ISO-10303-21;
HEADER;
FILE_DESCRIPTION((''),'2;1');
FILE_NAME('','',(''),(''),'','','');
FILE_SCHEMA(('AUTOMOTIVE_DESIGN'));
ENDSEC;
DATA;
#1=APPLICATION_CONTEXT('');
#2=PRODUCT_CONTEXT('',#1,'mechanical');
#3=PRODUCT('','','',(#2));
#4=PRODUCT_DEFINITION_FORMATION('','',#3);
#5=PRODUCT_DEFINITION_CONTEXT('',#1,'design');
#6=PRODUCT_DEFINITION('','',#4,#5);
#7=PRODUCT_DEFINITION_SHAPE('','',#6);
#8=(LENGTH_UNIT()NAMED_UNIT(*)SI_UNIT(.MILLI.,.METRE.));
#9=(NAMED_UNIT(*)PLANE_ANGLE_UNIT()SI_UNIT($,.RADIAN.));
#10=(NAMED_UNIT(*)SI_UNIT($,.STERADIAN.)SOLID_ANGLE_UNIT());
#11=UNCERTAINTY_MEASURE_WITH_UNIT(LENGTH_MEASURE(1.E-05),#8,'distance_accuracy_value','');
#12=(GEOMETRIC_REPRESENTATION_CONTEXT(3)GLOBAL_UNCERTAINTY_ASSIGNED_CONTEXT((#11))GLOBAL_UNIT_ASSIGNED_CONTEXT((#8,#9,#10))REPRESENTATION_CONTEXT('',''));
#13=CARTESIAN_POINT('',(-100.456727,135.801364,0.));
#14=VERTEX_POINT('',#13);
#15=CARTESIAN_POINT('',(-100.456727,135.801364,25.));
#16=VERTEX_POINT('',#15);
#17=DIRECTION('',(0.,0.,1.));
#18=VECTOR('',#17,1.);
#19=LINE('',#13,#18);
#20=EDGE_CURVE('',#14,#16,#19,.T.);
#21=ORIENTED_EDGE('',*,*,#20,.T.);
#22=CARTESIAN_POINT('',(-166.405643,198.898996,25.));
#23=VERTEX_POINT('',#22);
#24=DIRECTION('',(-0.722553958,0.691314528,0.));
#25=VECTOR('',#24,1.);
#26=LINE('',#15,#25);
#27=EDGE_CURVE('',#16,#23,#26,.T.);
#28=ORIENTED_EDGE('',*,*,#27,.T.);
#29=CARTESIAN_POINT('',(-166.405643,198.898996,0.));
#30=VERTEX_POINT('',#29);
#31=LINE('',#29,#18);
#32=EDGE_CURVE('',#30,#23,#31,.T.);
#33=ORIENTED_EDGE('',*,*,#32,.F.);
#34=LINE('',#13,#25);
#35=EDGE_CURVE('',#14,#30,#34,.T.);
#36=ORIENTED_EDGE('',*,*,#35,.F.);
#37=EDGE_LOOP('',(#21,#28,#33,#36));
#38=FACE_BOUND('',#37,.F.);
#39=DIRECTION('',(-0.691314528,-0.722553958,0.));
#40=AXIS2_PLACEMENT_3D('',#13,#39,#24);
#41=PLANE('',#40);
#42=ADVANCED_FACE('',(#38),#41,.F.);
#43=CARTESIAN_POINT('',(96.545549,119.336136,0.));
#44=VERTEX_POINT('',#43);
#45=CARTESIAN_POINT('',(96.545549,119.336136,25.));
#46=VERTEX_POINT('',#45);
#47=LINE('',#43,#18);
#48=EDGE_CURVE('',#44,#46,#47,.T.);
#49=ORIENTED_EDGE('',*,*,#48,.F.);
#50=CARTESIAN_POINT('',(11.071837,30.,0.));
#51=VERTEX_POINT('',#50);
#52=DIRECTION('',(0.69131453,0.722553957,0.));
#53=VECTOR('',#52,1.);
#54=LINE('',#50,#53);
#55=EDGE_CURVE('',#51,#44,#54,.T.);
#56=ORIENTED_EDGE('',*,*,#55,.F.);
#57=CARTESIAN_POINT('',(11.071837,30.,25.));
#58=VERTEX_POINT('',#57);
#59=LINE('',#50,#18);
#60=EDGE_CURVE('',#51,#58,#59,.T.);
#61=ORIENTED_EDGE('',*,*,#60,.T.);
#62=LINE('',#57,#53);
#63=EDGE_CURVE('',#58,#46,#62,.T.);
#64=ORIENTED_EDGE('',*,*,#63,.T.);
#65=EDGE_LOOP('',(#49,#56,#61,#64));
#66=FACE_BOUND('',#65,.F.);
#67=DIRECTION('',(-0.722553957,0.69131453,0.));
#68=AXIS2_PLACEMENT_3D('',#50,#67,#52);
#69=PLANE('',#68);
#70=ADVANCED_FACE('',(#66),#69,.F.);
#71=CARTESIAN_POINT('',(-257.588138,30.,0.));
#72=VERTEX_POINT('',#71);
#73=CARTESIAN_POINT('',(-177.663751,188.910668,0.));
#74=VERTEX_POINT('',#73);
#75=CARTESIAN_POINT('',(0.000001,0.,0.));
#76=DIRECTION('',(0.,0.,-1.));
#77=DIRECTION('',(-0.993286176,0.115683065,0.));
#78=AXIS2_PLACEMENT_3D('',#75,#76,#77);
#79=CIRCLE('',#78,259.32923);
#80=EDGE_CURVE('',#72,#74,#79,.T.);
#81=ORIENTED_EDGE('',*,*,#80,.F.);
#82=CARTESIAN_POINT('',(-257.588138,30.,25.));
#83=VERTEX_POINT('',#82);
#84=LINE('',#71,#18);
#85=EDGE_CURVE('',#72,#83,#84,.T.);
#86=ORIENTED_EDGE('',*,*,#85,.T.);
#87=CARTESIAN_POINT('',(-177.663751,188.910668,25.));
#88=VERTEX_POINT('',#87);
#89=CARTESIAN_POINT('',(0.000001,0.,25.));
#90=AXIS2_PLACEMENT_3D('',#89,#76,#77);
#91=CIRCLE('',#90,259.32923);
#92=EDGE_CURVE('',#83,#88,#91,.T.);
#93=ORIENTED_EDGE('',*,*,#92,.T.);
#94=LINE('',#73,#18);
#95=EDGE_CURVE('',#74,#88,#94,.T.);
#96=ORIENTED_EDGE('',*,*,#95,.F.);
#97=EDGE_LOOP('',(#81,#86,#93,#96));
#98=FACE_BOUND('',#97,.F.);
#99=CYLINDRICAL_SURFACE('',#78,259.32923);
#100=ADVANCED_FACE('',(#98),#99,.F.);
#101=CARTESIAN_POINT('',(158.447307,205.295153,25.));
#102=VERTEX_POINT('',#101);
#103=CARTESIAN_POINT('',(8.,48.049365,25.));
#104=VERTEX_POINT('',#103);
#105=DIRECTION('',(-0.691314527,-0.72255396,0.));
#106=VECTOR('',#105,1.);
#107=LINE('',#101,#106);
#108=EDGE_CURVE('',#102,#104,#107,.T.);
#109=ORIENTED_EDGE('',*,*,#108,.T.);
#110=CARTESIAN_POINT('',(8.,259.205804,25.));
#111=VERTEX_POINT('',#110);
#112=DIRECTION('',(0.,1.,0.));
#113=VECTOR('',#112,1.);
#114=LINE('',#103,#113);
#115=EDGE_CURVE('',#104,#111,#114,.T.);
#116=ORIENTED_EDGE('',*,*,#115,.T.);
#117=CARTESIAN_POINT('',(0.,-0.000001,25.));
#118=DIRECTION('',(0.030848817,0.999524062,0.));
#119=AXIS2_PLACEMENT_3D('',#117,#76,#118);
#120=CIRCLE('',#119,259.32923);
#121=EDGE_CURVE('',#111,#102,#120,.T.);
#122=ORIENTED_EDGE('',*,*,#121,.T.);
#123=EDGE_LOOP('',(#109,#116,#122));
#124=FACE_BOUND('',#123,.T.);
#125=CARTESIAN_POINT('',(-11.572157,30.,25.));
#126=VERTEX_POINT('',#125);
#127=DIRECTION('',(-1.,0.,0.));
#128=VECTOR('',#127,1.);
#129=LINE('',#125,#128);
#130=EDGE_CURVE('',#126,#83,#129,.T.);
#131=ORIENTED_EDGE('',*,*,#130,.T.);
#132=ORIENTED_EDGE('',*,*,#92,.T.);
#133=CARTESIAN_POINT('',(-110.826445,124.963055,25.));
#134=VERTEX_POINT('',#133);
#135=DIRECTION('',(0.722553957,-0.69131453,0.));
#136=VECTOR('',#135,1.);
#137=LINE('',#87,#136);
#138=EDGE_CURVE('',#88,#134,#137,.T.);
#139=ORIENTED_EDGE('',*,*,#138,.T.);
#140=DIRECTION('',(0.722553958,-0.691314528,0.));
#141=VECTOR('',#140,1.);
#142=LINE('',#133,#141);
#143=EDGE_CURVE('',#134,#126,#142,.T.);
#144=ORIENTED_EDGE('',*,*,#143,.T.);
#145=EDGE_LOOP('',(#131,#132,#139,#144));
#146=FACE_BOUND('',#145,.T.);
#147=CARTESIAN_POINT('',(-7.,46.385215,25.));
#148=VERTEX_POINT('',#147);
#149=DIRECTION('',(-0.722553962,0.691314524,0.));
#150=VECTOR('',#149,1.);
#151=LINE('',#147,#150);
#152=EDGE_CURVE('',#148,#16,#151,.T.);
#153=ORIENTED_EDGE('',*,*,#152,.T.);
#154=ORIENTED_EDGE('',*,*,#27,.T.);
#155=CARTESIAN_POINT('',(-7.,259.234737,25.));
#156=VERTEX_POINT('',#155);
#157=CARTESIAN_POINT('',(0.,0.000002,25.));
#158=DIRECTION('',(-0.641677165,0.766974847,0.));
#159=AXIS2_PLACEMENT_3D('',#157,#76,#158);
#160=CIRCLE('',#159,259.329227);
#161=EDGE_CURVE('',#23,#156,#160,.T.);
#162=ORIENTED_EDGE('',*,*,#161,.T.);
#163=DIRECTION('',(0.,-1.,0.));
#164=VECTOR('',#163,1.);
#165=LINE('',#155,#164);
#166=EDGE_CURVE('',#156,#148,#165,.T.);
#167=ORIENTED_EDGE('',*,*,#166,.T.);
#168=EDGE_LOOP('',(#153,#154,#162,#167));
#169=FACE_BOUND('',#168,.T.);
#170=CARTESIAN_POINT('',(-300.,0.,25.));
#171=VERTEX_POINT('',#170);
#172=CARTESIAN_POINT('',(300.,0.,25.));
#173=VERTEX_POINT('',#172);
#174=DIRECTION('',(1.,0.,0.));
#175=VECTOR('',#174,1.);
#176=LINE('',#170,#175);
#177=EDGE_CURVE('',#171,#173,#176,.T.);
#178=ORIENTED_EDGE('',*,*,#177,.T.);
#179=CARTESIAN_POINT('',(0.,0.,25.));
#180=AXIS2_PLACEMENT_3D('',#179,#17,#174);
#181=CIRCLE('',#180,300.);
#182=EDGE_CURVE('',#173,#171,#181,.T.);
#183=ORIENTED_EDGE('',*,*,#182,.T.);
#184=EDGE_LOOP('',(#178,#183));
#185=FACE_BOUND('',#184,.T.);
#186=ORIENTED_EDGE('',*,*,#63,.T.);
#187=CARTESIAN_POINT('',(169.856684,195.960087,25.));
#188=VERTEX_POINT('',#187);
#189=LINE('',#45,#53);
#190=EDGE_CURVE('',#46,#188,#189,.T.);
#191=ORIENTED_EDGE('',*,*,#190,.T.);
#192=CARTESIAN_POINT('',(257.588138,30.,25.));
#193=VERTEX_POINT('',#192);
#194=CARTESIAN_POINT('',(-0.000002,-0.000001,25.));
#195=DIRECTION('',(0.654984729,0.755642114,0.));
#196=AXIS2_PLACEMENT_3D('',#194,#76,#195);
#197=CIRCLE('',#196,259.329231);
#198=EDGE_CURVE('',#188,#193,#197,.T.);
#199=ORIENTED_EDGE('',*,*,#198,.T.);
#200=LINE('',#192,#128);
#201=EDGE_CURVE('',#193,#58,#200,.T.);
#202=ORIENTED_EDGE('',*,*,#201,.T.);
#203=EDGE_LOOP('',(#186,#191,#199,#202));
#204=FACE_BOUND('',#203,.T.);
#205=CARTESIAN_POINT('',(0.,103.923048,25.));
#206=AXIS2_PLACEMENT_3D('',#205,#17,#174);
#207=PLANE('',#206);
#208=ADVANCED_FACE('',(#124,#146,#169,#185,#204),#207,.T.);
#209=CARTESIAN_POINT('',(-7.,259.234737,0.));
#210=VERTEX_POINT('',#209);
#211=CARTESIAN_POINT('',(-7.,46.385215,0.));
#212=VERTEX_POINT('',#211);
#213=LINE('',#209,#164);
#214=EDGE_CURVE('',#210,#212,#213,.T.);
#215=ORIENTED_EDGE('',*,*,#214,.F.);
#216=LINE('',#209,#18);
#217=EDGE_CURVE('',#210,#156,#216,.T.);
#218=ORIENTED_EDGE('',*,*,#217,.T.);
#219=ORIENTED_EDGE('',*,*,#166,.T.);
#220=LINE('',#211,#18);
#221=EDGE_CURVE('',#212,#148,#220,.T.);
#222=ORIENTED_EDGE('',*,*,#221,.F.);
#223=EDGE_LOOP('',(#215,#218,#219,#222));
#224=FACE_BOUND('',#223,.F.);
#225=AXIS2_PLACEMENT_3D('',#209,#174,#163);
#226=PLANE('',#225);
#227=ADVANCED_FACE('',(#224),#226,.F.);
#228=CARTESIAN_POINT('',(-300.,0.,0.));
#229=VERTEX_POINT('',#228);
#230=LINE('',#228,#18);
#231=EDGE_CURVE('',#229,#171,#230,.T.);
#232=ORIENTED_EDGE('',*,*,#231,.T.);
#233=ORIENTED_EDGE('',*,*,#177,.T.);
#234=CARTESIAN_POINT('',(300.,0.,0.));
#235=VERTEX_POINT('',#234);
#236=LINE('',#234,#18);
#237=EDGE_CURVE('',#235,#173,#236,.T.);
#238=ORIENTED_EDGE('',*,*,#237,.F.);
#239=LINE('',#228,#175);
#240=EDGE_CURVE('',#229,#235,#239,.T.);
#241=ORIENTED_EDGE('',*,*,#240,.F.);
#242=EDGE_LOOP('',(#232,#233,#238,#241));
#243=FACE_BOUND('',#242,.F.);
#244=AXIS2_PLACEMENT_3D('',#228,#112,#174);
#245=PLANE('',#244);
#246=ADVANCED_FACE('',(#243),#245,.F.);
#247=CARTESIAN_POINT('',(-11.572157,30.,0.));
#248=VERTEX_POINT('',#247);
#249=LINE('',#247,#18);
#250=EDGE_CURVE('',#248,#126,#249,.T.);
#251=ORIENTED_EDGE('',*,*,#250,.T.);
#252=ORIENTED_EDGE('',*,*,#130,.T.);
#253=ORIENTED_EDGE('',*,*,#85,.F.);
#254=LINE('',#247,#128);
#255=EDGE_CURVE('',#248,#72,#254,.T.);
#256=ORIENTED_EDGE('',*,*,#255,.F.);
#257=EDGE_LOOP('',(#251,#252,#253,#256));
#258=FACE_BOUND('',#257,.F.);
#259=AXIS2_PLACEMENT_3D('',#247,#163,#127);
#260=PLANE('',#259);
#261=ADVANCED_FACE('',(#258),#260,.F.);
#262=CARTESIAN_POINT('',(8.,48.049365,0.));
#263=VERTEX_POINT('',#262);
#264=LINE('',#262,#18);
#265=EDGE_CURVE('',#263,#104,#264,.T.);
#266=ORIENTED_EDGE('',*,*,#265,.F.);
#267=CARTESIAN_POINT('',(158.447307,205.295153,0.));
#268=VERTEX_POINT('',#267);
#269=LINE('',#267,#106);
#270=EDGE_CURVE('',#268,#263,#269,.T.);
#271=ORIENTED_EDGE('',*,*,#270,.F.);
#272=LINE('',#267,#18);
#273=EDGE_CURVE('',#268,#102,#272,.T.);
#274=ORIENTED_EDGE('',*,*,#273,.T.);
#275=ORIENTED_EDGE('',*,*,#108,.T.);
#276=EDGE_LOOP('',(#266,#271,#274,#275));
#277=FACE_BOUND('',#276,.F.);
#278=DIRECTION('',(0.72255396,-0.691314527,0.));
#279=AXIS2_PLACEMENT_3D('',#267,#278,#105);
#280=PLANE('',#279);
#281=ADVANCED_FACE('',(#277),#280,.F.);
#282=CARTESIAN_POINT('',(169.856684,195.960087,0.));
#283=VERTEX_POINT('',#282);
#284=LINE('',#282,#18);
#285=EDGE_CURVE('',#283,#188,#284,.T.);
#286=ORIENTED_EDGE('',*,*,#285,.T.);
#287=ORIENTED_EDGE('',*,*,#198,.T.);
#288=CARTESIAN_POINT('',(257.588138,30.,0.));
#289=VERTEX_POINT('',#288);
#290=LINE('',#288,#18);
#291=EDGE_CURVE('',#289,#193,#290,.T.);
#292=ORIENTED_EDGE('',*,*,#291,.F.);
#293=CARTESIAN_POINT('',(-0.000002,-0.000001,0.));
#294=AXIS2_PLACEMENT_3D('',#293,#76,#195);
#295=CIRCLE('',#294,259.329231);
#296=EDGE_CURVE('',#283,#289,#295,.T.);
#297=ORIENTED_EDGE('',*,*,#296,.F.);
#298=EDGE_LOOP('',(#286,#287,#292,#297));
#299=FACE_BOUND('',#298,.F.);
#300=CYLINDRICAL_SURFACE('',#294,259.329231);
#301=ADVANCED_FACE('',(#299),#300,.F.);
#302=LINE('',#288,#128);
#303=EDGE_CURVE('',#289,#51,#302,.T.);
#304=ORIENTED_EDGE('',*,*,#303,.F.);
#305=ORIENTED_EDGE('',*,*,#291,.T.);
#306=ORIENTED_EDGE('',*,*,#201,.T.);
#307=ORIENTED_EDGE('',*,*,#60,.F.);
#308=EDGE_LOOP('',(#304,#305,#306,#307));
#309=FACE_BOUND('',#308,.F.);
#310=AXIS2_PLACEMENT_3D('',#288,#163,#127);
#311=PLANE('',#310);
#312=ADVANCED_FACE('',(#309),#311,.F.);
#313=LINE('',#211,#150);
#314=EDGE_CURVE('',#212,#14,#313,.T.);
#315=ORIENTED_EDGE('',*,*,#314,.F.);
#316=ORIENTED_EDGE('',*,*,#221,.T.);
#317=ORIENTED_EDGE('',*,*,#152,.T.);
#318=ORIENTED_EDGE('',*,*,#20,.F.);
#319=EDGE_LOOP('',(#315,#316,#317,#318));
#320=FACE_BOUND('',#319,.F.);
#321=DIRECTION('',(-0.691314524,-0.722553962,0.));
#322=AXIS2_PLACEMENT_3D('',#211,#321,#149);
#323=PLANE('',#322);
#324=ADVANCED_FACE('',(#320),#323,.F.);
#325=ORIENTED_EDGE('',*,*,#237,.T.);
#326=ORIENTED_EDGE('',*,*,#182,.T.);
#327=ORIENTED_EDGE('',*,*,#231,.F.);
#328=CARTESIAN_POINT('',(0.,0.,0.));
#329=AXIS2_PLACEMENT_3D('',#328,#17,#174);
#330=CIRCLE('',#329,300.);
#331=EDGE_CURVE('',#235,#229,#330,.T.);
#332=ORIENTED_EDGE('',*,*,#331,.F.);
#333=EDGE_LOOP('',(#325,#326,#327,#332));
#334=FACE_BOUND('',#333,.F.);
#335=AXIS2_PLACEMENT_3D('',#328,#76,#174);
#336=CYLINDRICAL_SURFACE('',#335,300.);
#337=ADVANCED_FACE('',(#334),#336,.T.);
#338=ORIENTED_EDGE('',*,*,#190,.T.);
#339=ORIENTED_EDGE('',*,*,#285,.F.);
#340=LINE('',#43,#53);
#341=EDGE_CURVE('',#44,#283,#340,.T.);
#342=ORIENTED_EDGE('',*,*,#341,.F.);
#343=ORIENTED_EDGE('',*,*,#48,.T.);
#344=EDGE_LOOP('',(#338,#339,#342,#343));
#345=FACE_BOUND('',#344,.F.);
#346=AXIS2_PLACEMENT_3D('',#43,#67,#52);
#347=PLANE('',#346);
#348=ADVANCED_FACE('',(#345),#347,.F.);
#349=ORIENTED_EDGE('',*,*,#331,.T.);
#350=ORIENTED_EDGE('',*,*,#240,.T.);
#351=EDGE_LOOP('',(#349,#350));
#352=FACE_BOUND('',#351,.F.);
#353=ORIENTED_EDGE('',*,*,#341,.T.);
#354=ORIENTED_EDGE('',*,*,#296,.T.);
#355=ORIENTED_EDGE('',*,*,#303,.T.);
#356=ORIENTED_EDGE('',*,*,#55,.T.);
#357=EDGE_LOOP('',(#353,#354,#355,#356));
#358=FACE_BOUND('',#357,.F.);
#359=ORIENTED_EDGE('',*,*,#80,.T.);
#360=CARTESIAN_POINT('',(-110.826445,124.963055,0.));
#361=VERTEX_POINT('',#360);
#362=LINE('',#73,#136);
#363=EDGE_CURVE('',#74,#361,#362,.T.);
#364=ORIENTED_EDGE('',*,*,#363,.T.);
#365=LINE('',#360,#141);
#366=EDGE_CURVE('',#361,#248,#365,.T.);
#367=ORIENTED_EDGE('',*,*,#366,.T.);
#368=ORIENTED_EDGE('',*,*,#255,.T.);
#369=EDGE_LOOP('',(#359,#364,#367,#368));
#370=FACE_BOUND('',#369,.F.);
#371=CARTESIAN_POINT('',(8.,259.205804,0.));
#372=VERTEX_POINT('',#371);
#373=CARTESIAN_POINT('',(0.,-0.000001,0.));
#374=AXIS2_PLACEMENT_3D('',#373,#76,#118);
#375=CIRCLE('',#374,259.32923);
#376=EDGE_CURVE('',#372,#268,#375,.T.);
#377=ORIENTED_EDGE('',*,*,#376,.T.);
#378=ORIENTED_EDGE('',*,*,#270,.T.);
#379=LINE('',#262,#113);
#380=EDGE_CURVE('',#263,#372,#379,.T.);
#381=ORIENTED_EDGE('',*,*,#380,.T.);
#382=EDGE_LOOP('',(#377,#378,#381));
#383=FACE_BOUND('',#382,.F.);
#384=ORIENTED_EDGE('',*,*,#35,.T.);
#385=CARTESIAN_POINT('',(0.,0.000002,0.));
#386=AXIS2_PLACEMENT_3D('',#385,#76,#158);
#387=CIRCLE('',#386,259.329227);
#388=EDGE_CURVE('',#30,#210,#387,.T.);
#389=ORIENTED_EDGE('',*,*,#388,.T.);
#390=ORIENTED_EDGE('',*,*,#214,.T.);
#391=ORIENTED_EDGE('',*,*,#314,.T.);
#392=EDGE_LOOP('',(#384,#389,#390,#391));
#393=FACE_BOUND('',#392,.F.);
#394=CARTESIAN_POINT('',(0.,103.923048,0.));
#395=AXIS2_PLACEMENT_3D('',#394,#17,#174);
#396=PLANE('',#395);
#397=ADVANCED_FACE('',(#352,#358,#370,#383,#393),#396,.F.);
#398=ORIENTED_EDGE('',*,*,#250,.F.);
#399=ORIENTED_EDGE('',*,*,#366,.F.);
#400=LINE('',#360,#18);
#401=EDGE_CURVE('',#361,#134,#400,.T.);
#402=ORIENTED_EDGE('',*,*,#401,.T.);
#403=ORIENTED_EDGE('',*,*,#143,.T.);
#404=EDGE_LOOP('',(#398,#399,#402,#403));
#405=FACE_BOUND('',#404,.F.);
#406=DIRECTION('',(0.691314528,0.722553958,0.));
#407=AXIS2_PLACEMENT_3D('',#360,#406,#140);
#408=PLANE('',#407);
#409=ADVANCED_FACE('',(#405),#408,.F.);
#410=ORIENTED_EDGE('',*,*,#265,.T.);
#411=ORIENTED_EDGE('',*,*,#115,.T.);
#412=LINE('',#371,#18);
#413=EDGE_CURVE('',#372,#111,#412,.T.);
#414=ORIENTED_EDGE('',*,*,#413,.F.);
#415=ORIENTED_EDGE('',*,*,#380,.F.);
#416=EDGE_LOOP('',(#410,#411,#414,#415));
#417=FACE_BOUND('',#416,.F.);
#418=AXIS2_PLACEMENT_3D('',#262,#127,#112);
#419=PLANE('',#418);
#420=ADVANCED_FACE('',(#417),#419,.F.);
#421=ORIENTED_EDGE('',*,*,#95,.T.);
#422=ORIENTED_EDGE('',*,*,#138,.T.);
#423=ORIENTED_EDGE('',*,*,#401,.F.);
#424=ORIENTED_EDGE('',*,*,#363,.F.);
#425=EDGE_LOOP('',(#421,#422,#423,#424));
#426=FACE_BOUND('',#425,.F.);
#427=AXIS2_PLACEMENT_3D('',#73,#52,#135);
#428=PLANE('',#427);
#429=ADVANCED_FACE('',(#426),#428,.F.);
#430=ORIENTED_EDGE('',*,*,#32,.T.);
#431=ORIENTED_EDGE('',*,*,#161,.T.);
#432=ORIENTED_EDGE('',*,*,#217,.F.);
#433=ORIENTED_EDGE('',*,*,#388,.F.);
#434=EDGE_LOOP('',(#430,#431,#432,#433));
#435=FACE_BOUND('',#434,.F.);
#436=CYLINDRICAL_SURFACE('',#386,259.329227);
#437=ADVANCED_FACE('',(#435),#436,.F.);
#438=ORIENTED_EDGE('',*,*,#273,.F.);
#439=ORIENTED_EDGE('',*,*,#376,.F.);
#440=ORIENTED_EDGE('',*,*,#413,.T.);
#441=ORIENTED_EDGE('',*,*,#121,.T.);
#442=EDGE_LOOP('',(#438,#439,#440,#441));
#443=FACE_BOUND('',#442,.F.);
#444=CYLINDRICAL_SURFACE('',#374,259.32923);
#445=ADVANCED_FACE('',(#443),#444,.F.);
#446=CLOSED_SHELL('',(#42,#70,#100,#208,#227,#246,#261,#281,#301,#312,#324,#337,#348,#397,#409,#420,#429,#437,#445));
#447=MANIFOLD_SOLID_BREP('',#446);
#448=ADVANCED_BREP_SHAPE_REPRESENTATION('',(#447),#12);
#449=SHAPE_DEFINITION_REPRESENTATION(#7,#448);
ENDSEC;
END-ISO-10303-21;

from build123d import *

# Parameters (mm, degrees)
F1_DEPTH = 25


with BuildPart() as f1:
    # F0 (on Top) → F1 (new body)
    with BuildSketch(Plane.XY):
        with BuildLine():
            Line((-300, 0), (300, 0))
            ThreePointArc((300, 0), (0, 300), (-300, 0))
        make_face()
        with BuildLine():
            Line((-11.572157, 30), (-257.588138, 30))
            ThreePointArc((-257.588138, 30), (-231.676934, 116.522303), (-177.663751, 188.910668))
            Line((-177.663751, 188.910668), (-110.826445, 124.963055))
            Line((-110.826445, 124.963055), (-11.572157, 30))
        make_face(mode=Mode.SUBTRACT)
        with BuildLine():
            ThreePointArc((169.856684, 195.960087), (229.266126, 121.196915), (257.588138, 30))
            Line((257.588138, 30), (11.071837, 30))
            Line((11.071837, 30), (96.545549, 119.336136))
            Line((96.545549, 119.336136), (169.856684, 195.960087))
        make_face(mode=Mode.SUBTRACT)
        with BuildLine():
            Line((-7, 46.385215), (-100.456727, 135.801364))
            Line((-100.456727, 135.801364), (-166.405643, 198.898996))
            ThreePointArc((-166.405643, 198.898996), (-91.801305, 242.536944), (-7, 259.234737))
            Line((-7, 259.234737), (-7, 211.881727))
            Line((-7, 211.881727), (-7, 46.385215))
        make_face(mode=Mode.SUBTRACT)
        with BuildLine():
            Line((158.447307, 205.295153), (8, 48.049365))
            Line((8, 48.049365), (8, 211.881727))
            Line((8, 211.881727), (8, 259.205804))
            ThreePointArc((8, 259.205804), (87.48009, 244.128824), (158.447307, 205.295153))
        make_face(mode=Mode.SUBTRACT)
    extrude(amount=F1_DEPTH)


solid = f1.part
